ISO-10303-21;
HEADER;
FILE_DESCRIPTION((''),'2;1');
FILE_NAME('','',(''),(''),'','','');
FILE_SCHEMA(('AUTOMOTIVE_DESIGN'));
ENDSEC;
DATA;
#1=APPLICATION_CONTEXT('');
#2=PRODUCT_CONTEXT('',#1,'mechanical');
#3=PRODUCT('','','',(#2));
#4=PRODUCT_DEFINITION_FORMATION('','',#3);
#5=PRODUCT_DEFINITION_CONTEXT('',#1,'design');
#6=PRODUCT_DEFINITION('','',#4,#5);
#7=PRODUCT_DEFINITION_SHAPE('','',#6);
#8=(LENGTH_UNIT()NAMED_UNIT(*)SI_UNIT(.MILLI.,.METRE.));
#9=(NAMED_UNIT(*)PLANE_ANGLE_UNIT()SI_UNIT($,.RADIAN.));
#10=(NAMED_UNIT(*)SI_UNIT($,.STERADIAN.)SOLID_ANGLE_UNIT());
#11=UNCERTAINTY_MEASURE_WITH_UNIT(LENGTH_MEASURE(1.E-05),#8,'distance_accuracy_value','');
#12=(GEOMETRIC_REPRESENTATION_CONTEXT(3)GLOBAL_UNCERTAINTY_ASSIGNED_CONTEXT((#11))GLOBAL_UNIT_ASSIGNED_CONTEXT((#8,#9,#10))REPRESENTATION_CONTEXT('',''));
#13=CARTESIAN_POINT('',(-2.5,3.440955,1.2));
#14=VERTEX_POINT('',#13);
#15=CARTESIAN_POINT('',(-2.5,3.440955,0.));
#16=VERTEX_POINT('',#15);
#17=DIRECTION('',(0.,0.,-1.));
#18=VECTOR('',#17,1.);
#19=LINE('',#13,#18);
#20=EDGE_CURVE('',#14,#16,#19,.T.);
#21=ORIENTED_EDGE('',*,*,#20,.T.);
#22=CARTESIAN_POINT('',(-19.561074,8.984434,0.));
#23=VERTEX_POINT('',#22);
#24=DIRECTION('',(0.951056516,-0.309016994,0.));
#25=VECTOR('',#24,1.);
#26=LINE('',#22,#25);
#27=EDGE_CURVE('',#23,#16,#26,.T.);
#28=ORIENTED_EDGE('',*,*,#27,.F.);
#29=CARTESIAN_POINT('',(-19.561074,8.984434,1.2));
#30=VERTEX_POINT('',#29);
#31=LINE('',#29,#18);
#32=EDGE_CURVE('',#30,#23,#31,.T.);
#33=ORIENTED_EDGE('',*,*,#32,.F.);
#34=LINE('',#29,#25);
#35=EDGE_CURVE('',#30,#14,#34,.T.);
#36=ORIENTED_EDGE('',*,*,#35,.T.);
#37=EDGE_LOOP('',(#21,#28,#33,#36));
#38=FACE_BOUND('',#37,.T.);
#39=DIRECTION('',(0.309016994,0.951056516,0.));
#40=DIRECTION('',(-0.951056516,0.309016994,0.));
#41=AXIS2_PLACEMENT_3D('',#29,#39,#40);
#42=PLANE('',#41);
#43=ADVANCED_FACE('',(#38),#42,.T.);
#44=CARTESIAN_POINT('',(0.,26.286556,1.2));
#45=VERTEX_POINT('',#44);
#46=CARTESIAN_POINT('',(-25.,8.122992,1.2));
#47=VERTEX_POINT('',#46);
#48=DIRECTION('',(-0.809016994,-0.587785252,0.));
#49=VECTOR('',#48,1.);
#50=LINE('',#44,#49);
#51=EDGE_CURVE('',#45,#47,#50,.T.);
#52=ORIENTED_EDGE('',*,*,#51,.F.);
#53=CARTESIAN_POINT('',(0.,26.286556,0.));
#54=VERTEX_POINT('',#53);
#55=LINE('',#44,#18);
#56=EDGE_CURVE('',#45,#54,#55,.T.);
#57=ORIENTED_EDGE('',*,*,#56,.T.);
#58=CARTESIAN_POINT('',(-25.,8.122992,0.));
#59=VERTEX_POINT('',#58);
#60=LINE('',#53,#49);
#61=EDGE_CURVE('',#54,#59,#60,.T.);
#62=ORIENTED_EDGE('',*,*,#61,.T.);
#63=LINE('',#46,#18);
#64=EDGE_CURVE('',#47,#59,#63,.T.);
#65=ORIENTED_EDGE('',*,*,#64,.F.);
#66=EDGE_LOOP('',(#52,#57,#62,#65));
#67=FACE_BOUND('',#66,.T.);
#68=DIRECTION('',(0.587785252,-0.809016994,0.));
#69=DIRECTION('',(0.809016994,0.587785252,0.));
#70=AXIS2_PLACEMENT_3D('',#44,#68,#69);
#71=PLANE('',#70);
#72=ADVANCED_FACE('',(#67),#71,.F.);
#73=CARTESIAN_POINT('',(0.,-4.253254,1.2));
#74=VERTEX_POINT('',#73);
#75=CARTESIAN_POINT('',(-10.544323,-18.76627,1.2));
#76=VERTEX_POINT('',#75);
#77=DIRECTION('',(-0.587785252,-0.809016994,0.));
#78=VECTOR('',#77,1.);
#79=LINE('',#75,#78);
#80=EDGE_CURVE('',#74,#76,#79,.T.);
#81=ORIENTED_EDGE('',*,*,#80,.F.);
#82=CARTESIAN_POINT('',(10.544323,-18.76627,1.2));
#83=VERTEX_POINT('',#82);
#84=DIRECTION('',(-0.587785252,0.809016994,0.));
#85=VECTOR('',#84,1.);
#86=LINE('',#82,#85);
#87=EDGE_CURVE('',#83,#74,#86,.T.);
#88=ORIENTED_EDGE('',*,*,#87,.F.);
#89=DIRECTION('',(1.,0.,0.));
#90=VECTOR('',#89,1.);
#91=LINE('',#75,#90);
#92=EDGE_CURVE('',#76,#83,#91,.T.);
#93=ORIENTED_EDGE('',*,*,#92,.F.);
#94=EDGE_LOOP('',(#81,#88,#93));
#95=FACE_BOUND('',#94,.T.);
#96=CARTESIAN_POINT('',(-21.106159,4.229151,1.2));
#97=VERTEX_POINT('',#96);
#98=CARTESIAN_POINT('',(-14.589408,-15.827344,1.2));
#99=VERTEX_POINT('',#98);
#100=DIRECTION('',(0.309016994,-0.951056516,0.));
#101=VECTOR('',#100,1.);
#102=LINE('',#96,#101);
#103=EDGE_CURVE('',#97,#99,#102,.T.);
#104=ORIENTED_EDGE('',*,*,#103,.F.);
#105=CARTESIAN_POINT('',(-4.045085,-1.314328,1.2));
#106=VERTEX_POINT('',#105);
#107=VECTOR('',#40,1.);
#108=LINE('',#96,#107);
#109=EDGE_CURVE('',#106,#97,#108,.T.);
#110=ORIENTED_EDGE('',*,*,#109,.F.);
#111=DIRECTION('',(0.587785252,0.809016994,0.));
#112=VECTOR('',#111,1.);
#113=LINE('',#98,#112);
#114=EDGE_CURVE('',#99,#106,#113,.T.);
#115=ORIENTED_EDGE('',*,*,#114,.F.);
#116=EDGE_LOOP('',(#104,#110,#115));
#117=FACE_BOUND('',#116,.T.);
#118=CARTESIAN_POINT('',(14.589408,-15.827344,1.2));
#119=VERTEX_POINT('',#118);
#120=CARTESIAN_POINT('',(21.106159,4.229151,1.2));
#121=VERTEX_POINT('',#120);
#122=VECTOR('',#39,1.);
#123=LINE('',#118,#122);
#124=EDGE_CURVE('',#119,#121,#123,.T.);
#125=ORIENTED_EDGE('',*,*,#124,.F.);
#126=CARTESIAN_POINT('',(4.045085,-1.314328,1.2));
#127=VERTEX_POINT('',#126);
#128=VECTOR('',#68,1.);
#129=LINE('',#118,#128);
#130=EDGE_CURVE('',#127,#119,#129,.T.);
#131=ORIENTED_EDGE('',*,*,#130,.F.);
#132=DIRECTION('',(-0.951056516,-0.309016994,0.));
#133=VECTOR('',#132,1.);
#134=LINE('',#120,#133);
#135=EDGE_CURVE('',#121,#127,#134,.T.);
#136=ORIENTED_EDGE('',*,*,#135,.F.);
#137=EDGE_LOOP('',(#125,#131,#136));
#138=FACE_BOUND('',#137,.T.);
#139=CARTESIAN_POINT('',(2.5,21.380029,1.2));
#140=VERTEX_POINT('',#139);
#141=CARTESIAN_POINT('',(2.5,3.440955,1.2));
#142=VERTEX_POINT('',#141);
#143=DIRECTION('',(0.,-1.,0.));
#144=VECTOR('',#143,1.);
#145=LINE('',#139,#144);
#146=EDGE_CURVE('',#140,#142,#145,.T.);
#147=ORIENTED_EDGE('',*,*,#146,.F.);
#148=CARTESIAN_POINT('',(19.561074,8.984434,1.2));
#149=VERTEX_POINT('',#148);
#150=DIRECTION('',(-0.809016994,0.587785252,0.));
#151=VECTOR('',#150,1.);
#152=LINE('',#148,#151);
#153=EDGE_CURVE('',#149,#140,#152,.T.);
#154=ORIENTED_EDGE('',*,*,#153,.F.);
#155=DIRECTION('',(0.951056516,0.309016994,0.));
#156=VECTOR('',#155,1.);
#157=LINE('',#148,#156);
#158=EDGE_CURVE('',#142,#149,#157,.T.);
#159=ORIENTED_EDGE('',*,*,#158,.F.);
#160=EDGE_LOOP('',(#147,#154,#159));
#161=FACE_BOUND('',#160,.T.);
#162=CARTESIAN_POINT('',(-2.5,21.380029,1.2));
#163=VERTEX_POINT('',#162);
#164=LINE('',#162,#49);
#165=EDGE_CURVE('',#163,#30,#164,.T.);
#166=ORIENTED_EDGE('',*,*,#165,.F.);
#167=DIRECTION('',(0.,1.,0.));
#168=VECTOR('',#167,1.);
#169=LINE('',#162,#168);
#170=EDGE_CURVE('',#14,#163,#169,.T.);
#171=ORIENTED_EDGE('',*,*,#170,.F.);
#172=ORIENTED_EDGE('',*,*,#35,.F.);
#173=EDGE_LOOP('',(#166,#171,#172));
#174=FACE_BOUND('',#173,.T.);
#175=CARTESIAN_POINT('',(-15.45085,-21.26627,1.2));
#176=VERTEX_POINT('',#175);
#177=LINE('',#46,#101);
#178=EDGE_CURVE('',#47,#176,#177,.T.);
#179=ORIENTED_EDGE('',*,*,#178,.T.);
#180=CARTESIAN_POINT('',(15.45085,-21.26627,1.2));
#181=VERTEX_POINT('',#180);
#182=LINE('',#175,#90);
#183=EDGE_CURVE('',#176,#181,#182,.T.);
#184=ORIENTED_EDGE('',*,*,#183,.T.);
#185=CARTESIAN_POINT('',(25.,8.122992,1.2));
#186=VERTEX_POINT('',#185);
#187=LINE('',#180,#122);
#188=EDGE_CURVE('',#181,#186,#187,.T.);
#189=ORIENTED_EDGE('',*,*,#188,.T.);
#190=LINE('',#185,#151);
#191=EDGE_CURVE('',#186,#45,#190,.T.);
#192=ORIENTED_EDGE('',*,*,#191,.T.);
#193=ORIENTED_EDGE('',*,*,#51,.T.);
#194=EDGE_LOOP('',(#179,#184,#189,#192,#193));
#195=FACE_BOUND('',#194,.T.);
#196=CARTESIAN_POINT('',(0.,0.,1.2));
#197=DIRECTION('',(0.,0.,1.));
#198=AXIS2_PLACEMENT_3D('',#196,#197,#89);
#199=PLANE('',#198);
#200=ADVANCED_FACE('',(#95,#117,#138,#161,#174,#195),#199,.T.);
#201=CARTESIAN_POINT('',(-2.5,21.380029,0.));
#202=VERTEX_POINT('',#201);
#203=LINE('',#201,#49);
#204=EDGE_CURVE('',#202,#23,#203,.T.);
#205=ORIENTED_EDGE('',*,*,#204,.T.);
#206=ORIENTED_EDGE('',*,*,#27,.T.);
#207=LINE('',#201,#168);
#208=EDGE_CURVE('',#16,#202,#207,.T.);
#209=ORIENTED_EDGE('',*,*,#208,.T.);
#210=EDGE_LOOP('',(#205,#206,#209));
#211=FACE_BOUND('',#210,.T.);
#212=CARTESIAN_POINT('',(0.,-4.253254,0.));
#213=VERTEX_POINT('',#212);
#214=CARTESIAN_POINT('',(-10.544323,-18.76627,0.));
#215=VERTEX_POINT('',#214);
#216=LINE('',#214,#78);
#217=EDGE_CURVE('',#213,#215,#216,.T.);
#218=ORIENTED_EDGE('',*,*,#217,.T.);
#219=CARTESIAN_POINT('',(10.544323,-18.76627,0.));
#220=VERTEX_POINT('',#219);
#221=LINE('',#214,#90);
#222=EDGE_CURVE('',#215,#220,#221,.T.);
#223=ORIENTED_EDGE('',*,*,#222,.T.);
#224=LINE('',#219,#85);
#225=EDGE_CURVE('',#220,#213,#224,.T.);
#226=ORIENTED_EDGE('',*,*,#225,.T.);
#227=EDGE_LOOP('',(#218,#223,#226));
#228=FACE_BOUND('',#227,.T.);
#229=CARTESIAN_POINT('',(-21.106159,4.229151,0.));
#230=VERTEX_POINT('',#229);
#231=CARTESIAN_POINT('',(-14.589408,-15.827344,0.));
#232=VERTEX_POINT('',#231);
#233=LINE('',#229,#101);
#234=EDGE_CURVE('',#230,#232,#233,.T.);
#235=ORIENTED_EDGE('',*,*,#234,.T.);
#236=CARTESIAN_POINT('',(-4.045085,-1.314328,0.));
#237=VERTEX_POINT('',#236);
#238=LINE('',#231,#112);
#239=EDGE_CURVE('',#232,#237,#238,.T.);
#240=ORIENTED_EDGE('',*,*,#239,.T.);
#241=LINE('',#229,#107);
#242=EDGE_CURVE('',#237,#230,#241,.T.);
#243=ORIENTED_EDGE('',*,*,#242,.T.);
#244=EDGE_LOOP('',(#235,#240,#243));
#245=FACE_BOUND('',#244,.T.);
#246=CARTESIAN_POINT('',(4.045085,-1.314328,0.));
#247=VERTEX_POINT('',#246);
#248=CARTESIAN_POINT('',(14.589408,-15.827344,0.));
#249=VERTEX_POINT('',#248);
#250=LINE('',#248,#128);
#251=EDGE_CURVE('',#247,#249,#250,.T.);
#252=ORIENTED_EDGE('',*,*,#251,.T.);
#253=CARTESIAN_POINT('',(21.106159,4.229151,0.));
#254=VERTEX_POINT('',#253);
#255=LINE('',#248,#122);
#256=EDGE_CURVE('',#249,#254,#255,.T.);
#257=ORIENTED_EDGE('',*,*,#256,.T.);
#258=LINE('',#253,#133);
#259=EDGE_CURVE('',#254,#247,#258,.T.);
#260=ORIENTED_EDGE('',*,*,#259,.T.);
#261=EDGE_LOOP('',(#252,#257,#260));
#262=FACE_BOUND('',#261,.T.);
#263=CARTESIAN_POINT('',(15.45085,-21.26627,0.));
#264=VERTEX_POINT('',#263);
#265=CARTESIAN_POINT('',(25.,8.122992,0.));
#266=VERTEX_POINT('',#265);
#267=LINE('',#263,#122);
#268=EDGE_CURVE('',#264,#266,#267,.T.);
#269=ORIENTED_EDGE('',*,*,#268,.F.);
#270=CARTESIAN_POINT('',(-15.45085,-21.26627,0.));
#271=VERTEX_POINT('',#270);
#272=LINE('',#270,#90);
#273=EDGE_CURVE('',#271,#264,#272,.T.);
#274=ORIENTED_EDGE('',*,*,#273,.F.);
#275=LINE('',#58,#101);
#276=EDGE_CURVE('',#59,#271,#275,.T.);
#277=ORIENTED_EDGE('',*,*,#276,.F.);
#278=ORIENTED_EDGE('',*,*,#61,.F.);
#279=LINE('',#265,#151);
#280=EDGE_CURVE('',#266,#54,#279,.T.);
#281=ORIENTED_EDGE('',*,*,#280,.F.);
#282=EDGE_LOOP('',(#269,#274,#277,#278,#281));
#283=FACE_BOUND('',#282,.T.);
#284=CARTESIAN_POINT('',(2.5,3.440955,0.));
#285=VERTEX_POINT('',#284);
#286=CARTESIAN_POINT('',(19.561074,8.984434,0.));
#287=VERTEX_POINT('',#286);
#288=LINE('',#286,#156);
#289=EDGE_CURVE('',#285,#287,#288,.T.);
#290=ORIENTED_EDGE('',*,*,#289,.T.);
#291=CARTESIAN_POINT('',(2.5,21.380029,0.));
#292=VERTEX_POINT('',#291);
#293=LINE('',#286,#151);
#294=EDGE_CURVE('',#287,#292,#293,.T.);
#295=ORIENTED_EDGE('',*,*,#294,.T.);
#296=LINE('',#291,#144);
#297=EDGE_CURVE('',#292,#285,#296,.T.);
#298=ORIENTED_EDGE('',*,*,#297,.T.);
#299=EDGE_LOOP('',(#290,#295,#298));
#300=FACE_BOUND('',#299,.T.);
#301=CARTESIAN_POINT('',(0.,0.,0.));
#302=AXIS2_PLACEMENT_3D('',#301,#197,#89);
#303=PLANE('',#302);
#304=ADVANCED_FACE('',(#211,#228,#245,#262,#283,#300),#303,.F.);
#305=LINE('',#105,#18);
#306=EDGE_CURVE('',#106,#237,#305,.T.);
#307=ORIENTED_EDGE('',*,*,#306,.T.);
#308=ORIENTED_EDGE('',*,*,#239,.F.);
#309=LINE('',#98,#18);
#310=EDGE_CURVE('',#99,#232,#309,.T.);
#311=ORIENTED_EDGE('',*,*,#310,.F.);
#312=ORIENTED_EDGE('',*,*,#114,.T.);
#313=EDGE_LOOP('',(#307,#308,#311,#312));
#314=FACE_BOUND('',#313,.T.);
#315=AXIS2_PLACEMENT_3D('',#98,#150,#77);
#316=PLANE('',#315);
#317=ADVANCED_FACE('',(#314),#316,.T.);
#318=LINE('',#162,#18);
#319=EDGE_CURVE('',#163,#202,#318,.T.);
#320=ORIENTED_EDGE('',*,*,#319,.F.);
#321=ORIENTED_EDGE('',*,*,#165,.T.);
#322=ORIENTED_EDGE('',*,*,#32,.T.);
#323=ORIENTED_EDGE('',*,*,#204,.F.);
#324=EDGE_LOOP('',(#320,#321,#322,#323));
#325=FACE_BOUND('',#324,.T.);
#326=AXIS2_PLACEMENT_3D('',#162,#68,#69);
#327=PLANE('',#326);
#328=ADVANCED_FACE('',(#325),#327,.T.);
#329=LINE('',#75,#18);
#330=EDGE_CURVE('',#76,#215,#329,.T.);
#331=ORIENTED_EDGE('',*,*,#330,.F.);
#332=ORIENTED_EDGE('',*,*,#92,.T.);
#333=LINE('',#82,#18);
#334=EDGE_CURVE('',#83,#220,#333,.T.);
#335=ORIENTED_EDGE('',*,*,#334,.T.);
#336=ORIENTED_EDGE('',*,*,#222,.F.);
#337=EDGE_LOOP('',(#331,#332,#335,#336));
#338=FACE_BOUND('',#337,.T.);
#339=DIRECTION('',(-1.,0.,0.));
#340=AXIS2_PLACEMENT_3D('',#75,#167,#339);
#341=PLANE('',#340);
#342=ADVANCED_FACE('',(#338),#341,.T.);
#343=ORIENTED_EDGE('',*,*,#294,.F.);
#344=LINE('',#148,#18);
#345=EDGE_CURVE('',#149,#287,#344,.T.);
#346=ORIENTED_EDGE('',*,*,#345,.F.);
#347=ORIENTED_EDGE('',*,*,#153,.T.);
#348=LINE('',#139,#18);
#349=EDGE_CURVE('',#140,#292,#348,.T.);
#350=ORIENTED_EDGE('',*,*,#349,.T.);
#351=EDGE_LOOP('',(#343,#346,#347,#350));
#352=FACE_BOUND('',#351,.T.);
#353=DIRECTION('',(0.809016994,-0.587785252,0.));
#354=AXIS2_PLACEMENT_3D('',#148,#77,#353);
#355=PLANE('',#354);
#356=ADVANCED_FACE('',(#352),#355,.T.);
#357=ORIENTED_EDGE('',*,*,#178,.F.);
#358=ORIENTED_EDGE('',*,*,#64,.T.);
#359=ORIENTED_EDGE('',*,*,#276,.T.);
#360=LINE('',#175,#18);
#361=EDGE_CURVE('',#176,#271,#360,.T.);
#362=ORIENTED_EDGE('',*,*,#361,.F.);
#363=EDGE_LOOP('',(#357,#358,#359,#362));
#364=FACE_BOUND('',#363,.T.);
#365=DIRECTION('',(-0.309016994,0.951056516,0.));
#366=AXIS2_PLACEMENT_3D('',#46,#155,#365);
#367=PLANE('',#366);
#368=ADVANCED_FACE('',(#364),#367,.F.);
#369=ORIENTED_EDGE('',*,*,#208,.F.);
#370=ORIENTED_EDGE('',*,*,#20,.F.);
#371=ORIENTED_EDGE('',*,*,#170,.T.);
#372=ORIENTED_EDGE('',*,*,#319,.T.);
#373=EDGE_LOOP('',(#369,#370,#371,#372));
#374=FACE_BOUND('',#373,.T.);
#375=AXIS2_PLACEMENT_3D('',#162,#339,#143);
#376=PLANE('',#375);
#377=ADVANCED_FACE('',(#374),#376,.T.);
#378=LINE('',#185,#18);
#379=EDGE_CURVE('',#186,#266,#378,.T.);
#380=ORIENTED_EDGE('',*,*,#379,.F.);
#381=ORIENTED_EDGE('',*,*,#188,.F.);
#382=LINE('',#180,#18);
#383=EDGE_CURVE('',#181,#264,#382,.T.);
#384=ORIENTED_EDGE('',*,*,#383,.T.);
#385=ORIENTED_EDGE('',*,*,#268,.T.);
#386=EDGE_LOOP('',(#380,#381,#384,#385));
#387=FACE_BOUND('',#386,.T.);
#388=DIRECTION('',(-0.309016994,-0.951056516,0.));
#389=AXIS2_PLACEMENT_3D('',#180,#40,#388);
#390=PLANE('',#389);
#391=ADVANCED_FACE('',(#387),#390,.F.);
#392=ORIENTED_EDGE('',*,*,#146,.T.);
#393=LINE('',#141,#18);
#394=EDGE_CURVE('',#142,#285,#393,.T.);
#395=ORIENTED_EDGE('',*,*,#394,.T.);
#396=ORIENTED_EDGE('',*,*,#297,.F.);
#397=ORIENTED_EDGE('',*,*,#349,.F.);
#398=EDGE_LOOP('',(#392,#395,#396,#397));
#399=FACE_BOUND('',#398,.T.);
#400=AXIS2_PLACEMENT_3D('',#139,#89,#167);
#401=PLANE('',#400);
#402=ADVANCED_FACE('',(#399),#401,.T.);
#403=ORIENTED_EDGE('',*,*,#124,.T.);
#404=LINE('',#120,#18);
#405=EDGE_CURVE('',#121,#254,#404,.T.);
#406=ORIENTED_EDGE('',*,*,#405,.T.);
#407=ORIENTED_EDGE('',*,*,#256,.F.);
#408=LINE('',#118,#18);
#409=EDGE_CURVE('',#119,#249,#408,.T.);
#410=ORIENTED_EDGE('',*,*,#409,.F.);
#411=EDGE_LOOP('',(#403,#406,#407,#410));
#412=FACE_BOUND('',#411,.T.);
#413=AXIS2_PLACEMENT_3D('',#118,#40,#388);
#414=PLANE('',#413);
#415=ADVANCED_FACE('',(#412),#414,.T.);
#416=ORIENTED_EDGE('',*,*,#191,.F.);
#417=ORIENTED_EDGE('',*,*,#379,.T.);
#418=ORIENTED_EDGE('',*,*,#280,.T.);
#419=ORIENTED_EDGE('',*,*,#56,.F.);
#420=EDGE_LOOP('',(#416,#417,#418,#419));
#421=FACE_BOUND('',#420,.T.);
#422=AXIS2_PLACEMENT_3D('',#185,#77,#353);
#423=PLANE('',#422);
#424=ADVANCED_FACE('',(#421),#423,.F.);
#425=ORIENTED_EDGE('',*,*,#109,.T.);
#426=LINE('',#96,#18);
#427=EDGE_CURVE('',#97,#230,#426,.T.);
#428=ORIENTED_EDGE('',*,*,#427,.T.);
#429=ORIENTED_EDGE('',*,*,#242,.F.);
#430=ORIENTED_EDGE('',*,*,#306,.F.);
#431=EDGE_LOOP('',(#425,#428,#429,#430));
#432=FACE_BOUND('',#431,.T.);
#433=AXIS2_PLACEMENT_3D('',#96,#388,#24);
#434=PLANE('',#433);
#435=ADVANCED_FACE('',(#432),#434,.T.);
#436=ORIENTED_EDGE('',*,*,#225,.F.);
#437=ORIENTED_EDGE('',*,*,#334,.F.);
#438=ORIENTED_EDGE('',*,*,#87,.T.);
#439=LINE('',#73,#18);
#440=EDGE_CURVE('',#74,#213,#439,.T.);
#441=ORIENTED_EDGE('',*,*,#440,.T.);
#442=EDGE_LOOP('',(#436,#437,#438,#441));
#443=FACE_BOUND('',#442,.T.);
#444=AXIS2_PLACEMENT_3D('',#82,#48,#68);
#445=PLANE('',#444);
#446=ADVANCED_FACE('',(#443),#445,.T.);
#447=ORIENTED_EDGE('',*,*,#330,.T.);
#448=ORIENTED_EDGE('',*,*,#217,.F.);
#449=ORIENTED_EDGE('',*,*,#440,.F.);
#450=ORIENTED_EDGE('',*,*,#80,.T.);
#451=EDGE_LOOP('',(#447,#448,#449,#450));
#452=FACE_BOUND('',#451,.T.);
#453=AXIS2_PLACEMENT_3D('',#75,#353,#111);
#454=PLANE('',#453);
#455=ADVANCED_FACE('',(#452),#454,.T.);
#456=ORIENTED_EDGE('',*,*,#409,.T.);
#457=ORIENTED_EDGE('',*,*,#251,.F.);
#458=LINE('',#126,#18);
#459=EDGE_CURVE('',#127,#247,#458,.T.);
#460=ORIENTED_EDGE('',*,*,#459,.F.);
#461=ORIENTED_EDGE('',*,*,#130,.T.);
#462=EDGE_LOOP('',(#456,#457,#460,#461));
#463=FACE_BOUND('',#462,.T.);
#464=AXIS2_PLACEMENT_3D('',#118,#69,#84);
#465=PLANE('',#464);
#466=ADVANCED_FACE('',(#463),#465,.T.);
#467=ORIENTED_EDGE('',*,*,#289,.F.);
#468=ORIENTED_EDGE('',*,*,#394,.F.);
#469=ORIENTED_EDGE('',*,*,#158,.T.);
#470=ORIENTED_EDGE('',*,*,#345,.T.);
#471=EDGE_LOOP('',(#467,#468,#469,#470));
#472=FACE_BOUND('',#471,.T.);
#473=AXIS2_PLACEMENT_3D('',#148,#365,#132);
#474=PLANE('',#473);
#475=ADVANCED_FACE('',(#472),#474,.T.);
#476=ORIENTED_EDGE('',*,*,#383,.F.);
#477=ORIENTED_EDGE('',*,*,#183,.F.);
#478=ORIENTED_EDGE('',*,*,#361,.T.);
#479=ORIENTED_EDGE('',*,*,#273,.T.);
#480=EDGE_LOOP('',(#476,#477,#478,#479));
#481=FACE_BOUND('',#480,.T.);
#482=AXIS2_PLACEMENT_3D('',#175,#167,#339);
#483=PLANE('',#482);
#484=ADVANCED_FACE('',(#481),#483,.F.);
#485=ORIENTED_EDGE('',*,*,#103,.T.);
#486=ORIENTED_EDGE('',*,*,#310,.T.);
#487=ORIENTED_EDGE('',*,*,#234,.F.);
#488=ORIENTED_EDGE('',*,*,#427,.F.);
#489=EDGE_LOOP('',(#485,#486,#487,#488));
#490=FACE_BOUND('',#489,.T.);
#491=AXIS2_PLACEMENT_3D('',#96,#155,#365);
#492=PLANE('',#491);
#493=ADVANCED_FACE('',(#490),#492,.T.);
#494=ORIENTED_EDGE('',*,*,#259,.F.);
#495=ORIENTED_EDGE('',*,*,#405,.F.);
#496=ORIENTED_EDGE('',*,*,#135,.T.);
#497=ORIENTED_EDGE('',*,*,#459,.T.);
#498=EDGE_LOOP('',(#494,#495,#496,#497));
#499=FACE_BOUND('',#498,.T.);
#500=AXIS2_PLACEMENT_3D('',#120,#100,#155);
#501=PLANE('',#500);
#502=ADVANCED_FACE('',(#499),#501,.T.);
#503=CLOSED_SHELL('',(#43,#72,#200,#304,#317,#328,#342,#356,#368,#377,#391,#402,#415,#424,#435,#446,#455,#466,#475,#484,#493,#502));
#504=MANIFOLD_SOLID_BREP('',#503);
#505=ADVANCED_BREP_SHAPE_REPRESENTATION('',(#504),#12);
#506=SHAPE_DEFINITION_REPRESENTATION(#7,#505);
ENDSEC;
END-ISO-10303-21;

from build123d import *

# Parameters (mm, degrees)
BOSS_EXTRUDE1_DEPTH = 1.2


with BuildPart() as part:
    # Sketch1 → Boss-Extrude1 (new body)
    with BuildSketch(Plane.XY):
        Polygon((0, 26.286555606), (-25, 8.122992406), (-15.450849719, -21.266270209), (15.450849719, -21.266270209), (25, 8.122992406), align=None)
        Polygon((-21.10615871, 4.229151116), (-4.045084972, -1.31432778), (-14.589408427, -15.827343947), align=None, mode=Mode.SUBTRACT)
        Polygon((14.589408427, -15.827343947), (21.10615871, 4.229151116), (4.045084972, -1.31432778), align=None, mode=Mode.SUBTRACT)
        Polygon((-19.561073739, 8.984433698), (-2.5, 3.440954801), (-2.5, 21.380029342), align=None, mode=Mode.SUBTRACT)
        Polygon((2.5, 21.380029342), (2.5, 3.440954801), (19.561073739, 8.984433698), align=None, mode=Mode.SUBTRACT)
        Polygon((-10.544323455, -18.766270209), (0, -4.253254042), (10.544323455, -18.766270209), align=None, mode=Mode.SUBTRACT)
    extrude(amount=BOSS_EXTRUDE1_DEPTH)


solid = part.part
